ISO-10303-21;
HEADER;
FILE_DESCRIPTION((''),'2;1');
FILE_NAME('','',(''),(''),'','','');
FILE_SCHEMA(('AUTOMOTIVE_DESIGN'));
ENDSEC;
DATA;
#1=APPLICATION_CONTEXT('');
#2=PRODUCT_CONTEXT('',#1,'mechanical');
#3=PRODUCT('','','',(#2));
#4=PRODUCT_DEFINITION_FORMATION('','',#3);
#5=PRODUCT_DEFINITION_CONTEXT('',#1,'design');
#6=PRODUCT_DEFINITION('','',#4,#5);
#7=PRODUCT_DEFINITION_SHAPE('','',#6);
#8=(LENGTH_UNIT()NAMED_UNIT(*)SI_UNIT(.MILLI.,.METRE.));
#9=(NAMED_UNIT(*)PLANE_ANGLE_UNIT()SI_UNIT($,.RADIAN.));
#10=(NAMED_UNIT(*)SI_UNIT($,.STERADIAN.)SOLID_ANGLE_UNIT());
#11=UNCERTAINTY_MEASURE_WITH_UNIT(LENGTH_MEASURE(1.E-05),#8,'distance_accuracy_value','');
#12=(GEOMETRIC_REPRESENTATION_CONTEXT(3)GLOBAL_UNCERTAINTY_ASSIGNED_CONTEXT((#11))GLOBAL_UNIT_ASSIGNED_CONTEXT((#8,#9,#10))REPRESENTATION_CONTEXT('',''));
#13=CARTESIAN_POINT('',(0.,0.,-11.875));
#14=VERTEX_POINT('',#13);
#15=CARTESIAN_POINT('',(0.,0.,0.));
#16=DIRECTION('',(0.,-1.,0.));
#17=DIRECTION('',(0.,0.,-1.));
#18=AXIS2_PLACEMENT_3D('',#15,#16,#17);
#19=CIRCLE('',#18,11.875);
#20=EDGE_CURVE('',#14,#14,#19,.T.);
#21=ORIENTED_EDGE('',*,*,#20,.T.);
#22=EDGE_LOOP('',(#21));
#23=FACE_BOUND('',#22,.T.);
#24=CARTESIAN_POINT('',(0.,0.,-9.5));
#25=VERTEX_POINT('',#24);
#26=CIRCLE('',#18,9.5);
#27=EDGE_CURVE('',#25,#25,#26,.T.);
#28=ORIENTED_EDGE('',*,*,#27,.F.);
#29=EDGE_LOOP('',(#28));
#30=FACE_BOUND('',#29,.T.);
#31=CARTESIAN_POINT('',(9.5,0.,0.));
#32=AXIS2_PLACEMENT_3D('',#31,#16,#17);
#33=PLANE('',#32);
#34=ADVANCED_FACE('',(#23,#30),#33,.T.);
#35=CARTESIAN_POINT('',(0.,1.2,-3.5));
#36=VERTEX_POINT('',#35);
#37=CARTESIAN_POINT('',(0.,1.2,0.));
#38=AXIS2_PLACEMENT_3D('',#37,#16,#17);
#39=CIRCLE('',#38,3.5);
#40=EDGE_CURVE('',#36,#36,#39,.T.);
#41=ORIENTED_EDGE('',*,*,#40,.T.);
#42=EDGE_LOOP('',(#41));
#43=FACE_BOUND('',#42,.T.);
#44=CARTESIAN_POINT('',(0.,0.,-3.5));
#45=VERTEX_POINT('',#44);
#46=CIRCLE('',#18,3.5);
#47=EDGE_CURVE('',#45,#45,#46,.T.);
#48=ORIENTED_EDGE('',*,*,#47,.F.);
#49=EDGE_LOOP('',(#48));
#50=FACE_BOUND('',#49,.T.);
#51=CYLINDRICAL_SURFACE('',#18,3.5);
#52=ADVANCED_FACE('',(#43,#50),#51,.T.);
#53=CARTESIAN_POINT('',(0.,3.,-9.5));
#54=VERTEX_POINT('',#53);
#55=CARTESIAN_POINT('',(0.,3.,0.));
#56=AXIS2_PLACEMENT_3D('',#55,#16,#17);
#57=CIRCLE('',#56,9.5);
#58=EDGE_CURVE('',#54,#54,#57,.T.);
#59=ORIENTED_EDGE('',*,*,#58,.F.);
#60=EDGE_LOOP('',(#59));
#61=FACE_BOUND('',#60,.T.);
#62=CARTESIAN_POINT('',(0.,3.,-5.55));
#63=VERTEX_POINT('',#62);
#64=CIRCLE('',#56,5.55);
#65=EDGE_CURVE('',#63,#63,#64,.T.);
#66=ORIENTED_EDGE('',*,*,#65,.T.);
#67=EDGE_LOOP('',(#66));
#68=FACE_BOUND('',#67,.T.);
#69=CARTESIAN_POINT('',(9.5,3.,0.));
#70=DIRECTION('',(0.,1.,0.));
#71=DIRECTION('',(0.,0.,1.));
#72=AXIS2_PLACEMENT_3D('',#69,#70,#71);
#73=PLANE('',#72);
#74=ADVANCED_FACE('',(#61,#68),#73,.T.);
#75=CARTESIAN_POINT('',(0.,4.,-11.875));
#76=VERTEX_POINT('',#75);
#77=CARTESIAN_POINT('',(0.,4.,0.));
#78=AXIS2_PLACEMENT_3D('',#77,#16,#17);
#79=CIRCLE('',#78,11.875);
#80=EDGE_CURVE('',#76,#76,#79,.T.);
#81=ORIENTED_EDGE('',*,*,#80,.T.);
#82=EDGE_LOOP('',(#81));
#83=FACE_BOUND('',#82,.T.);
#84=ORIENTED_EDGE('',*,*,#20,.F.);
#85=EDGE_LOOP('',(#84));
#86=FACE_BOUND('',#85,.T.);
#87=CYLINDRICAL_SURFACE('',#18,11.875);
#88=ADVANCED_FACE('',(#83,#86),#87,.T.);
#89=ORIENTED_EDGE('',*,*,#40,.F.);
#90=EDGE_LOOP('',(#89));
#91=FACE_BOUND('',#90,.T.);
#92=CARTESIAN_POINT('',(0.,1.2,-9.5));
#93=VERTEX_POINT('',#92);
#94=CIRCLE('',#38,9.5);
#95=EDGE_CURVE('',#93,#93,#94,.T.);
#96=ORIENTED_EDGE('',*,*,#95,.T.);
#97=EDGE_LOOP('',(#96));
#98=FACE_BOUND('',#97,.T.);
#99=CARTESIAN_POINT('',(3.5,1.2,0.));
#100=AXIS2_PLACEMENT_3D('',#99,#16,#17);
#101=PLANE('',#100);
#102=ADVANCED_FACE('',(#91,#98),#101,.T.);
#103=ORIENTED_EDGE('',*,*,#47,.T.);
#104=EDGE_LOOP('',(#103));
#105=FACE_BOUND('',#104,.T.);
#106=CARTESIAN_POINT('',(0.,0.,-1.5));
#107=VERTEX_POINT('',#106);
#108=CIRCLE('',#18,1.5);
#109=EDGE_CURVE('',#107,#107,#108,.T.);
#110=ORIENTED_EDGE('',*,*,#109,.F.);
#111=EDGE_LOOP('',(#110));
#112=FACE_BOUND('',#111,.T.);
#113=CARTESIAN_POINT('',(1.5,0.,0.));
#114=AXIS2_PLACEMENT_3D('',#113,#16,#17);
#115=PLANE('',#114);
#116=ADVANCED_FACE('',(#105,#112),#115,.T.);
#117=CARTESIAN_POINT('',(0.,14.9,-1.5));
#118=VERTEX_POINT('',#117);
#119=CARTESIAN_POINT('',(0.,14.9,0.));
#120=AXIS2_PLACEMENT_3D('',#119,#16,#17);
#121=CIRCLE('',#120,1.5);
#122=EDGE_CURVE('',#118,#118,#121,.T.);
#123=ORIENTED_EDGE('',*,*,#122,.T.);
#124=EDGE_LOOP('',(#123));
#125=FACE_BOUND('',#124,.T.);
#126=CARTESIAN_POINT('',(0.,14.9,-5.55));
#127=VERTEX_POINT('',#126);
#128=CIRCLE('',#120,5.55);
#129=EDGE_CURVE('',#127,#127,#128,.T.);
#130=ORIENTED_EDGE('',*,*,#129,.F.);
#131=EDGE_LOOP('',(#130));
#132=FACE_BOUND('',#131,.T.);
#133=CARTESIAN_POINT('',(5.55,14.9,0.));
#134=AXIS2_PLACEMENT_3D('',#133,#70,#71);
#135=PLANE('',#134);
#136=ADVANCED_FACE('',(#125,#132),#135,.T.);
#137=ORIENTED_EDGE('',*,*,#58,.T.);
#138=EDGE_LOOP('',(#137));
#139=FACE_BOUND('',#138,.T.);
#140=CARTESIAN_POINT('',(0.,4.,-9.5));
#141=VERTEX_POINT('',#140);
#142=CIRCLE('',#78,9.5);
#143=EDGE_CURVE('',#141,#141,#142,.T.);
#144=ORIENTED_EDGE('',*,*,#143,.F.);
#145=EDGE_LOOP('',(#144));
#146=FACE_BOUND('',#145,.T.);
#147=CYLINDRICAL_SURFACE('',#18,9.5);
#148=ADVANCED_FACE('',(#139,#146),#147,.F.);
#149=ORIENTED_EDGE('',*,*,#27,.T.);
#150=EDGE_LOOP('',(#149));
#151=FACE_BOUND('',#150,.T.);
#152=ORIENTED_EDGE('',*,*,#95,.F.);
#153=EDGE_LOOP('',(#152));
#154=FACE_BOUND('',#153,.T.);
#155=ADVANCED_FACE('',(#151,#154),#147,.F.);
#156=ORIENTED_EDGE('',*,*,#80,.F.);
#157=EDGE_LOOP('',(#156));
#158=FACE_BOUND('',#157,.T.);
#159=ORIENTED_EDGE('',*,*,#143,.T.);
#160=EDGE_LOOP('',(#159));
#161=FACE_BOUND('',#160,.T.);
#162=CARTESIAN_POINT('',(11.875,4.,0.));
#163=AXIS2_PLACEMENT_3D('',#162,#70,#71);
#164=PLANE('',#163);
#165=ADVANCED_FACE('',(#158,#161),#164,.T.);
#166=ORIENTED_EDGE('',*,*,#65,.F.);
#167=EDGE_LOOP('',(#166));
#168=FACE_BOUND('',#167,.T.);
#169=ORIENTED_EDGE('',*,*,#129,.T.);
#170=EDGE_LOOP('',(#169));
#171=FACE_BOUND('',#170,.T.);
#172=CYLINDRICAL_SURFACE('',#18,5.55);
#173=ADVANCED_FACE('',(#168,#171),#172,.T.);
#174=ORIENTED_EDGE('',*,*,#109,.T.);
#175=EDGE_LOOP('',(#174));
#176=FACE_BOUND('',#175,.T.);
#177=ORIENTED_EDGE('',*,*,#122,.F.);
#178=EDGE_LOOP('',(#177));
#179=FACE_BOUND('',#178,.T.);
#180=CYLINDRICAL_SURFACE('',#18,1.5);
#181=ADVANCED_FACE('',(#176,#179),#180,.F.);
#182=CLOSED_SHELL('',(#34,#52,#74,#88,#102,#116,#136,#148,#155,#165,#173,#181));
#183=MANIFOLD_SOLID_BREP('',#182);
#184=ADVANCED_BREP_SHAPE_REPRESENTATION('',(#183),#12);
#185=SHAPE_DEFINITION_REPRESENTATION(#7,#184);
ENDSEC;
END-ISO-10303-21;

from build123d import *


with BuildPart() as part:
    # Sketch1 → 20 and 58 (revolve)
    with BuildSketch(Plane.XY, mode=Mode.PRIVATE) as f_20_and_58_sk:
        Polygon((1.5, 14.9), (1.5, 0), (3.5, 0), (3.5, 1.2), (9.5, 1.2), (9.5, 0), (11.875, 0), (11.875, 4), (9.5, 4), (9.5, 3), (5.55, 3), (5.55, 14.9), align=None)
    revolve(f_20_and_58_sk.sketch.rotate(Axis((0, 0, 0), (0, 1, 0)), 90), axis=Axis((0, 0, 0), (0, 1, 0)))


solid = part.part
